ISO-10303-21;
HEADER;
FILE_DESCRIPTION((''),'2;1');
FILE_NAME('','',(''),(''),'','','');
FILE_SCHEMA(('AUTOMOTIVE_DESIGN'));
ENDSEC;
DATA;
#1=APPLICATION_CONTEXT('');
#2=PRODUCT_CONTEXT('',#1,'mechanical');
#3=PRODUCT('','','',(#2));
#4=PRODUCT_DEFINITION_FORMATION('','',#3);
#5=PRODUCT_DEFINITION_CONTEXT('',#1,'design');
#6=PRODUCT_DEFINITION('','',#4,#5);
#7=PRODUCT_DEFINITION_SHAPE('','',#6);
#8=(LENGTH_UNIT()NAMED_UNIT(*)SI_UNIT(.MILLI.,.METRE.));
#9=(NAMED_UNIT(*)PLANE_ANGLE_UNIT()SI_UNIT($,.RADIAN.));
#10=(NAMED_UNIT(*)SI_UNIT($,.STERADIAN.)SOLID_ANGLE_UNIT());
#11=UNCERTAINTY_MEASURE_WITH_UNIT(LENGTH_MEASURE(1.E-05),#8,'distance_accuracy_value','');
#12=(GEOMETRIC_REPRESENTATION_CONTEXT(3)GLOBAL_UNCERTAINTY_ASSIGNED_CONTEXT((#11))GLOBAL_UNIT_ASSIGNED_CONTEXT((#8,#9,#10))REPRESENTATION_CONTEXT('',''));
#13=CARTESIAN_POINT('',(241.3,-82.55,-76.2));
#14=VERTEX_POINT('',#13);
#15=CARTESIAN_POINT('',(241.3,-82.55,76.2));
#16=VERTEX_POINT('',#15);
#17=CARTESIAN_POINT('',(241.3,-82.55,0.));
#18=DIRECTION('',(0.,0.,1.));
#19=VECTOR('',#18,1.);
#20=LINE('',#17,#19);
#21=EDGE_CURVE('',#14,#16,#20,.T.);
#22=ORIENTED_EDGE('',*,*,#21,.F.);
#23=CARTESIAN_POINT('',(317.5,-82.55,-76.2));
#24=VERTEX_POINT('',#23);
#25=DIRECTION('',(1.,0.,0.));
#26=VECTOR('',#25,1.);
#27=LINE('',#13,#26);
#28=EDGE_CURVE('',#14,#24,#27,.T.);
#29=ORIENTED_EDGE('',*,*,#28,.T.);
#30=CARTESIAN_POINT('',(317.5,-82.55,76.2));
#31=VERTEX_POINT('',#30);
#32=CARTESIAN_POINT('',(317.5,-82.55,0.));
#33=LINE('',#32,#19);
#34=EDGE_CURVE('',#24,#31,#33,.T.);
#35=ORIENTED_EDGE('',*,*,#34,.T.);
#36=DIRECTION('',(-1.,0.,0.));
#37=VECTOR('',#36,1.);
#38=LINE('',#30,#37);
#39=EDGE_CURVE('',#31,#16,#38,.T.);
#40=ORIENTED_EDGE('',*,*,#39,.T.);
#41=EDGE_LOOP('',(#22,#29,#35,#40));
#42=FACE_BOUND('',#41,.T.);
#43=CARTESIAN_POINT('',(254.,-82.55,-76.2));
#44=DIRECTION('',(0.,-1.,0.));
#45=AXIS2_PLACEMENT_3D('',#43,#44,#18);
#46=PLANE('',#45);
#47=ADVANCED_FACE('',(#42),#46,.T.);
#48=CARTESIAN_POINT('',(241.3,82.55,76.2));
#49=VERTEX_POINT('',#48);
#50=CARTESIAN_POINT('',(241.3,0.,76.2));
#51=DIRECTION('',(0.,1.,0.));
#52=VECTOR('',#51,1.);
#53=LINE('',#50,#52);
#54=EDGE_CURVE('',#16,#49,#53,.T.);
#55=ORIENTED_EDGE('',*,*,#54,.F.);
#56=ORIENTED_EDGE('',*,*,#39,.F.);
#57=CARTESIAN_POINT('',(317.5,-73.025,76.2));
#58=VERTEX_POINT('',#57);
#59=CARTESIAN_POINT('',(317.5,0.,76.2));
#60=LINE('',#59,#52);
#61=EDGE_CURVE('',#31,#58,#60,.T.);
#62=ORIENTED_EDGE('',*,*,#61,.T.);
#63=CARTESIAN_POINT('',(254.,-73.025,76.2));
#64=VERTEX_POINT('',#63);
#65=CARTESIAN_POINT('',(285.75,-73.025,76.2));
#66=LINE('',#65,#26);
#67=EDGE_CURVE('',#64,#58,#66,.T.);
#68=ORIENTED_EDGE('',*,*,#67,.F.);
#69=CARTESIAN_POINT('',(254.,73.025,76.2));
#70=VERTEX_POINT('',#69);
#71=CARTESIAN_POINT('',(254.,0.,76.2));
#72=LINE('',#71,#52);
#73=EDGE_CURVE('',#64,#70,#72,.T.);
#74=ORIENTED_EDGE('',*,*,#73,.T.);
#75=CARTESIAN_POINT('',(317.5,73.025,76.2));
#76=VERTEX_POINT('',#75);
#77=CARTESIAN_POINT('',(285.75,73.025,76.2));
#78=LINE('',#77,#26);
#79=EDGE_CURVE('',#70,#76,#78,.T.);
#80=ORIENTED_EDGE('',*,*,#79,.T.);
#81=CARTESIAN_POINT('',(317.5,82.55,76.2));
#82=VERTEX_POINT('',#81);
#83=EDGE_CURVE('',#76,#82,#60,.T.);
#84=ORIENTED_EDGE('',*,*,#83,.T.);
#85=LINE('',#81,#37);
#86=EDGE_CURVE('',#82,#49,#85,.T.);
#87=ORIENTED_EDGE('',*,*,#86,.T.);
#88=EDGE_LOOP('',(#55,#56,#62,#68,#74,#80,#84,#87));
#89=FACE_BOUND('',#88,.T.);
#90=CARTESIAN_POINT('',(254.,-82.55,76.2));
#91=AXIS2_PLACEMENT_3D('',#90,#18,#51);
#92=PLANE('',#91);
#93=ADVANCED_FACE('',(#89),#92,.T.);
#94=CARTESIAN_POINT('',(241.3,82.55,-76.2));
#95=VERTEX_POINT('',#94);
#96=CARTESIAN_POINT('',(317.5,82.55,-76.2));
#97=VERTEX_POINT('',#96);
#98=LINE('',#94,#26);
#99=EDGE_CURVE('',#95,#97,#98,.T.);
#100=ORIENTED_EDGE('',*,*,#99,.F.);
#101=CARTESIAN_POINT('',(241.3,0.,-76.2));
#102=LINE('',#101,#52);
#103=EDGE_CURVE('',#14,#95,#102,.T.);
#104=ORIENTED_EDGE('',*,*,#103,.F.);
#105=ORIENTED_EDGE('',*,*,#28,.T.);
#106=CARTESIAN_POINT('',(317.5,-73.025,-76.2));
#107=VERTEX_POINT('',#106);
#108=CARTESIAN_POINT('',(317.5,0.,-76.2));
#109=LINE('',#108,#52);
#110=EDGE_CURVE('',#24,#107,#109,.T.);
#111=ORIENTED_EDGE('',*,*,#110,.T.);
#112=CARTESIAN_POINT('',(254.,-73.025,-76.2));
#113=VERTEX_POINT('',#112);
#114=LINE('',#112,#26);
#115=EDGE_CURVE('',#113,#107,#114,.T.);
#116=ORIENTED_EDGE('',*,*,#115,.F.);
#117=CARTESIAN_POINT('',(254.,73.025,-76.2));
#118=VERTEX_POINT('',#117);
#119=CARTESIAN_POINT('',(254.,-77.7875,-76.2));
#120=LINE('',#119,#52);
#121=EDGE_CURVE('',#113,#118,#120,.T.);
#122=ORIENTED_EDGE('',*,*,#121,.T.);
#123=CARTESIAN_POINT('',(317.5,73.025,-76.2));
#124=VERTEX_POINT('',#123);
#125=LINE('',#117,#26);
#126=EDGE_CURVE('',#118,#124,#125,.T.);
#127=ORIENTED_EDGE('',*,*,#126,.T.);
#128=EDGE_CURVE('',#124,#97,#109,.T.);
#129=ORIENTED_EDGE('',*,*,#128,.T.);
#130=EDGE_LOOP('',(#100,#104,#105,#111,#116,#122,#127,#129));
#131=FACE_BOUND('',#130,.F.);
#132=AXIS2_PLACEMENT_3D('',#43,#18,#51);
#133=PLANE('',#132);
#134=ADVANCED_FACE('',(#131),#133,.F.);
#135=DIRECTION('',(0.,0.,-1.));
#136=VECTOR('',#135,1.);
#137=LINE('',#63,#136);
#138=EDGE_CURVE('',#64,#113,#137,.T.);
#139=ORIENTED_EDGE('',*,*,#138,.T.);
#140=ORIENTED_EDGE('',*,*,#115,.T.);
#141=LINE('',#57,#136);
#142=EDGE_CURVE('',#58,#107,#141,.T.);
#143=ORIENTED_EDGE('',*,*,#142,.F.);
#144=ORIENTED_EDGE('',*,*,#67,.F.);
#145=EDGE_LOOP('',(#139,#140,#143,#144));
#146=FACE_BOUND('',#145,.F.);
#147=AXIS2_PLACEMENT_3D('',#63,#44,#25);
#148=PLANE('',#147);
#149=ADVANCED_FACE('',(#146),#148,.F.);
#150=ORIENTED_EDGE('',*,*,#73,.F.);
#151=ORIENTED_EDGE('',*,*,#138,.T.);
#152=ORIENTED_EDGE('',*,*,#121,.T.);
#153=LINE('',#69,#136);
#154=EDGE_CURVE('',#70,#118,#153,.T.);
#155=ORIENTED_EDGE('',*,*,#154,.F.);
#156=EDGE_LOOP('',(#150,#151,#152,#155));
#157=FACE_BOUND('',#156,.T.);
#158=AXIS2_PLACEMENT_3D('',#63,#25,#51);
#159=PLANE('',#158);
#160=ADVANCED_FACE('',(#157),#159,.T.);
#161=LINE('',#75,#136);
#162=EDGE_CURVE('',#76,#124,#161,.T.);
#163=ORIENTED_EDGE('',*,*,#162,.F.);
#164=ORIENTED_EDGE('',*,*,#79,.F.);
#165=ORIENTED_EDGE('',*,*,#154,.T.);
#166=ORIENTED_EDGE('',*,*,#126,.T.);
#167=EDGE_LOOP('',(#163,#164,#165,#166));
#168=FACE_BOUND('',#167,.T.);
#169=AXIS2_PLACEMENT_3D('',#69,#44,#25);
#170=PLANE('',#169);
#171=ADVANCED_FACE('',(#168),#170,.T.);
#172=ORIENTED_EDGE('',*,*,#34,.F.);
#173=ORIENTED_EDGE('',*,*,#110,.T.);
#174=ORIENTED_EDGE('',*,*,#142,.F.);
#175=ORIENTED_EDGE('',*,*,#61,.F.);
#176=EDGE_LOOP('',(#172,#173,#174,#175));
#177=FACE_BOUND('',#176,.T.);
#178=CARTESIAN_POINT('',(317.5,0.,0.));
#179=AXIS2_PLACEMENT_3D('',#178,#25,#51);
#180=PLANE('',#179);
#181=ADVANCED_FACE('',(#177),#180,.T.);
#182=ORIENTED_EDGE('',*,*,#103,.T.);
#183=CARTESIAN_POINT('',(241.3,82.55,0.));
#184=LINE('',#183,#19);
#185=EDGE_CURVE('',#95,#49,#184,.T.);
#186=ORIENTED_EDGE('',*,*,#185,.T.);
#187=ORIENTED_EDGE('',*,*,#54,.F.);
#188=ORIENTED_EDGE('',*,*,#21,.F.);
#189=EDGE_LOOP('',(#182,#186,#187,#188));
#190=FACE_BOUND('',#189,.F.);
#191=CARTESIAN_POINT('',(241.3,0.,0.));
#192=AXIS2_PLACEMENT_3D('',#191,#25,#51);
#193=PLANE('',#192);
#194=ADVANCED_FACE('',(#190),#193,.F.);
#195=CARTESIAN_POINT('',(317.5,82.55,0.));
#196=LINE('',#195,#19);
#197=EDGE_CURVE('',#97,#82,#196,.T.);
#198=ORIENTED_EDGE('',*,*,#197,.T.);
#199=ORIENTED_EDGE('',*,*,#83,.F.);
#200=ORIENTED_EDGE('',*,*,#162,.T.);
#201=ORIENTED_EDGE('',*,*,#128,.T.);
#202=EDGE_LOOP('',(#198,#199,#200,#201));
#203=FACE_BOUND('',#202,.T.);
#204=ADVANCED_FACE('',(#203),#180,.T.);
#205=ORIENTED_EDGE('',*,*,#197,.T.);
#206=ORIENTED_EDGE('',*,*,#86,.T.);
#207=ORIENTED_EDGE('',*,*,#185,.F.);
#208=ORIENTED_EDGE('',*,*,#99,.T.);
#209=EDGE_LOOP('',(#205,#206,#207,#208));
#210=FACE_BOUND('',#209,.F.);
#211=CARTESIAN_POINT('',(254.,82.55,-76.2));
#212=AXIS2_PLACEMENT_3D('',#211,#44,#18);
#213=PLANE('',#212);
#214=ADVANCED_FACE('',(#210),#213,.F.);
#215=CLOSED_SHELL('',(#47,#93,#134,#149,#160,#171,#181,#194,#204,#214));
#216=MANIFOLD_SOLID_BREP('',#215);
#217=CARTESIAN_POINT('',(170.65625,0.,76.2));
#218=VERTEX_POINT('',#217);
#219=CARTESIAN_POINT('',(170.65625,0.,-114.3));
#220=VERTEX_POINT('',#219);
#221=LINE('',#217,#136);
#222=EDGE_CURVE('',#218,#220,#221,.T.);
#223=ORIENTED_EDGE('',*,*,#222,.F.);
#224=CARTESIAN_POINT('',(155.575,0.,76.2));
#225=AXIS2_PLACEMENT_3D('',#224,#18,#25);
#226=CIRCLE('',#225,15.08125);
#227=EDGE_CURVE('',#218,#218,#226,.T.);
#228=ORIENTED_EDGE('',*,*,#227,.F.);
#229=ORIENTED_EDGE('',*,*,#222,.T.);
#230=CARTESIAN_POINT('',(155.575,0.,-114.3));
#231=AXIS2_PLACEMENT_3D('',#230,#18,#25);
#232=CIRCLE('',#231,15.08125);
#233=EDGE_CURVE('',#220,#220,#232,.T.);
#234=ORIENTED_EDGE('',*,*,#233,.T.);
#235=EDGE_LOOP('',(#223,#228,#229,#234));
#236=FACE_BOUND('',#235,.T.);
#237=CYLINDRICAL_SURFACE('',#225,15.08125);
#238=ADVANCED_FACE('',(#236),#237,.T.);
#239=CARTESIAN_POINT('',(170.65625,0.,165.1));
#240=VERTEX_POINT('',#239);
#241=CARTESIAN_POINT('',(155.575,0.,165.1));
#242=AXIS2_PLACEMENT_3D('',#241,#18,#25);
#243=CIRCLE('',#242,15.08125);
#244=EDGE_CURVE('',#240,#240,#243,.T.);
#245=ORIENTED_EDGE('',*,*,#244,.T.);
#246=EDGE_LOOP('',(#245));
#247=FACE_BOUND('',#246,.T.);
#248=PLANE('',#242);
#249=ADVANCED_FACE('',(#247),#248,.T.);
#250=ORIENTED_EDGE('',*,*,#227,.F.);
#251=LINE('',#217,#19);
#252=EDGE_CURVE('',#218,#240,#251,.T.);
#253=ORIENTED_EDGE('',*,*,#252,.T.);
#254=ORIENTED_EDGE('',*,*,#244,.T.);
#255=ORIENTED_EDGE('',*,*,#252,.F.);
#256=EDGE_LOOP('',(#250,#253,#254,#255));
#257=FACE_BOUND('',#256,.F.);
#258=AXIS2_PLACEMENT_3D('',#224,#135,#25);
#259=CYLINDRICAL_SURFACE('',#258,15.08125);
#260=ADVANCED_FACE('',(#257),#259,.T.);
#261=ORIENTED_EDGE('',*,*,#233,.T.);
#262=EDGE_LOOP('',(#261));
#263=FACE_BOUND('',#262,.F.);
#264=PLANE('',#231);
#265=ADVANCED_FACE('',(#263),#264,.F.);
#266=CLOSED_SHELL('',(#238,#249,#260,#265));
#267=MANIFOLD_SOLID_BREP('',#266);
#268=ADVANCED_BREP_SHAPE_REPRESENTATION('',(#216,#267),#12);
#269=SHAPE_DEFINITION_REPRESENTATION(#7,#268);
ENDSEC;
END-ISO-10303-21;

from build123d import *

# Parameters (mm, degrees)
F1_W          = 165.1
F1_H          = 152.4
F2_DEPTH      = 12.7
F2_DEPTH_BACK = 63.5
F3_R          = 15.08125
F4_DEPTH      = 190.5
F4_DEPTH_BACK = 88.9
F5_W          = 63.5
F5_H          = 146.05
F6_DEPTH      = 190.501


with BuildPart() as f2:
    # F1 (on offset) → F2 (new body, two sides)
    with BuildSketch(Plane.YZ.offset(254)) as f2_sk:
        Rectangle(F1_W, F1_H)
    extrude(amount=-F2_DEPTH)
    extrude(f2_sk.sketch, amount=F2_DEPTH_BACK)

    # F5 (on face) → F6 (cut, through all)
    with BuildSketch(Plane.XY.offset(76.2)):
        with Locations((285.75, 0)):
            Rectangle(F5_W, F5_H)
    extrude(amount=-F6_DEPTH, mode=Mode.SUBTRACT)


with BuildPart() as f4:
    # F3 (on face) → F4 (new body, two sides)
    with BuildSketch(Plane.XY.offset(76.2)) as f4_sk:
        with Locations((155.575, 0)):
            Circle(F3_R)
    extrude(amount=-F4_DEPTH)
    extrude(f4_sk.sketch, amount=F4_DEPTH_BACK)


solid = Compound([f2.part, f4.part])
